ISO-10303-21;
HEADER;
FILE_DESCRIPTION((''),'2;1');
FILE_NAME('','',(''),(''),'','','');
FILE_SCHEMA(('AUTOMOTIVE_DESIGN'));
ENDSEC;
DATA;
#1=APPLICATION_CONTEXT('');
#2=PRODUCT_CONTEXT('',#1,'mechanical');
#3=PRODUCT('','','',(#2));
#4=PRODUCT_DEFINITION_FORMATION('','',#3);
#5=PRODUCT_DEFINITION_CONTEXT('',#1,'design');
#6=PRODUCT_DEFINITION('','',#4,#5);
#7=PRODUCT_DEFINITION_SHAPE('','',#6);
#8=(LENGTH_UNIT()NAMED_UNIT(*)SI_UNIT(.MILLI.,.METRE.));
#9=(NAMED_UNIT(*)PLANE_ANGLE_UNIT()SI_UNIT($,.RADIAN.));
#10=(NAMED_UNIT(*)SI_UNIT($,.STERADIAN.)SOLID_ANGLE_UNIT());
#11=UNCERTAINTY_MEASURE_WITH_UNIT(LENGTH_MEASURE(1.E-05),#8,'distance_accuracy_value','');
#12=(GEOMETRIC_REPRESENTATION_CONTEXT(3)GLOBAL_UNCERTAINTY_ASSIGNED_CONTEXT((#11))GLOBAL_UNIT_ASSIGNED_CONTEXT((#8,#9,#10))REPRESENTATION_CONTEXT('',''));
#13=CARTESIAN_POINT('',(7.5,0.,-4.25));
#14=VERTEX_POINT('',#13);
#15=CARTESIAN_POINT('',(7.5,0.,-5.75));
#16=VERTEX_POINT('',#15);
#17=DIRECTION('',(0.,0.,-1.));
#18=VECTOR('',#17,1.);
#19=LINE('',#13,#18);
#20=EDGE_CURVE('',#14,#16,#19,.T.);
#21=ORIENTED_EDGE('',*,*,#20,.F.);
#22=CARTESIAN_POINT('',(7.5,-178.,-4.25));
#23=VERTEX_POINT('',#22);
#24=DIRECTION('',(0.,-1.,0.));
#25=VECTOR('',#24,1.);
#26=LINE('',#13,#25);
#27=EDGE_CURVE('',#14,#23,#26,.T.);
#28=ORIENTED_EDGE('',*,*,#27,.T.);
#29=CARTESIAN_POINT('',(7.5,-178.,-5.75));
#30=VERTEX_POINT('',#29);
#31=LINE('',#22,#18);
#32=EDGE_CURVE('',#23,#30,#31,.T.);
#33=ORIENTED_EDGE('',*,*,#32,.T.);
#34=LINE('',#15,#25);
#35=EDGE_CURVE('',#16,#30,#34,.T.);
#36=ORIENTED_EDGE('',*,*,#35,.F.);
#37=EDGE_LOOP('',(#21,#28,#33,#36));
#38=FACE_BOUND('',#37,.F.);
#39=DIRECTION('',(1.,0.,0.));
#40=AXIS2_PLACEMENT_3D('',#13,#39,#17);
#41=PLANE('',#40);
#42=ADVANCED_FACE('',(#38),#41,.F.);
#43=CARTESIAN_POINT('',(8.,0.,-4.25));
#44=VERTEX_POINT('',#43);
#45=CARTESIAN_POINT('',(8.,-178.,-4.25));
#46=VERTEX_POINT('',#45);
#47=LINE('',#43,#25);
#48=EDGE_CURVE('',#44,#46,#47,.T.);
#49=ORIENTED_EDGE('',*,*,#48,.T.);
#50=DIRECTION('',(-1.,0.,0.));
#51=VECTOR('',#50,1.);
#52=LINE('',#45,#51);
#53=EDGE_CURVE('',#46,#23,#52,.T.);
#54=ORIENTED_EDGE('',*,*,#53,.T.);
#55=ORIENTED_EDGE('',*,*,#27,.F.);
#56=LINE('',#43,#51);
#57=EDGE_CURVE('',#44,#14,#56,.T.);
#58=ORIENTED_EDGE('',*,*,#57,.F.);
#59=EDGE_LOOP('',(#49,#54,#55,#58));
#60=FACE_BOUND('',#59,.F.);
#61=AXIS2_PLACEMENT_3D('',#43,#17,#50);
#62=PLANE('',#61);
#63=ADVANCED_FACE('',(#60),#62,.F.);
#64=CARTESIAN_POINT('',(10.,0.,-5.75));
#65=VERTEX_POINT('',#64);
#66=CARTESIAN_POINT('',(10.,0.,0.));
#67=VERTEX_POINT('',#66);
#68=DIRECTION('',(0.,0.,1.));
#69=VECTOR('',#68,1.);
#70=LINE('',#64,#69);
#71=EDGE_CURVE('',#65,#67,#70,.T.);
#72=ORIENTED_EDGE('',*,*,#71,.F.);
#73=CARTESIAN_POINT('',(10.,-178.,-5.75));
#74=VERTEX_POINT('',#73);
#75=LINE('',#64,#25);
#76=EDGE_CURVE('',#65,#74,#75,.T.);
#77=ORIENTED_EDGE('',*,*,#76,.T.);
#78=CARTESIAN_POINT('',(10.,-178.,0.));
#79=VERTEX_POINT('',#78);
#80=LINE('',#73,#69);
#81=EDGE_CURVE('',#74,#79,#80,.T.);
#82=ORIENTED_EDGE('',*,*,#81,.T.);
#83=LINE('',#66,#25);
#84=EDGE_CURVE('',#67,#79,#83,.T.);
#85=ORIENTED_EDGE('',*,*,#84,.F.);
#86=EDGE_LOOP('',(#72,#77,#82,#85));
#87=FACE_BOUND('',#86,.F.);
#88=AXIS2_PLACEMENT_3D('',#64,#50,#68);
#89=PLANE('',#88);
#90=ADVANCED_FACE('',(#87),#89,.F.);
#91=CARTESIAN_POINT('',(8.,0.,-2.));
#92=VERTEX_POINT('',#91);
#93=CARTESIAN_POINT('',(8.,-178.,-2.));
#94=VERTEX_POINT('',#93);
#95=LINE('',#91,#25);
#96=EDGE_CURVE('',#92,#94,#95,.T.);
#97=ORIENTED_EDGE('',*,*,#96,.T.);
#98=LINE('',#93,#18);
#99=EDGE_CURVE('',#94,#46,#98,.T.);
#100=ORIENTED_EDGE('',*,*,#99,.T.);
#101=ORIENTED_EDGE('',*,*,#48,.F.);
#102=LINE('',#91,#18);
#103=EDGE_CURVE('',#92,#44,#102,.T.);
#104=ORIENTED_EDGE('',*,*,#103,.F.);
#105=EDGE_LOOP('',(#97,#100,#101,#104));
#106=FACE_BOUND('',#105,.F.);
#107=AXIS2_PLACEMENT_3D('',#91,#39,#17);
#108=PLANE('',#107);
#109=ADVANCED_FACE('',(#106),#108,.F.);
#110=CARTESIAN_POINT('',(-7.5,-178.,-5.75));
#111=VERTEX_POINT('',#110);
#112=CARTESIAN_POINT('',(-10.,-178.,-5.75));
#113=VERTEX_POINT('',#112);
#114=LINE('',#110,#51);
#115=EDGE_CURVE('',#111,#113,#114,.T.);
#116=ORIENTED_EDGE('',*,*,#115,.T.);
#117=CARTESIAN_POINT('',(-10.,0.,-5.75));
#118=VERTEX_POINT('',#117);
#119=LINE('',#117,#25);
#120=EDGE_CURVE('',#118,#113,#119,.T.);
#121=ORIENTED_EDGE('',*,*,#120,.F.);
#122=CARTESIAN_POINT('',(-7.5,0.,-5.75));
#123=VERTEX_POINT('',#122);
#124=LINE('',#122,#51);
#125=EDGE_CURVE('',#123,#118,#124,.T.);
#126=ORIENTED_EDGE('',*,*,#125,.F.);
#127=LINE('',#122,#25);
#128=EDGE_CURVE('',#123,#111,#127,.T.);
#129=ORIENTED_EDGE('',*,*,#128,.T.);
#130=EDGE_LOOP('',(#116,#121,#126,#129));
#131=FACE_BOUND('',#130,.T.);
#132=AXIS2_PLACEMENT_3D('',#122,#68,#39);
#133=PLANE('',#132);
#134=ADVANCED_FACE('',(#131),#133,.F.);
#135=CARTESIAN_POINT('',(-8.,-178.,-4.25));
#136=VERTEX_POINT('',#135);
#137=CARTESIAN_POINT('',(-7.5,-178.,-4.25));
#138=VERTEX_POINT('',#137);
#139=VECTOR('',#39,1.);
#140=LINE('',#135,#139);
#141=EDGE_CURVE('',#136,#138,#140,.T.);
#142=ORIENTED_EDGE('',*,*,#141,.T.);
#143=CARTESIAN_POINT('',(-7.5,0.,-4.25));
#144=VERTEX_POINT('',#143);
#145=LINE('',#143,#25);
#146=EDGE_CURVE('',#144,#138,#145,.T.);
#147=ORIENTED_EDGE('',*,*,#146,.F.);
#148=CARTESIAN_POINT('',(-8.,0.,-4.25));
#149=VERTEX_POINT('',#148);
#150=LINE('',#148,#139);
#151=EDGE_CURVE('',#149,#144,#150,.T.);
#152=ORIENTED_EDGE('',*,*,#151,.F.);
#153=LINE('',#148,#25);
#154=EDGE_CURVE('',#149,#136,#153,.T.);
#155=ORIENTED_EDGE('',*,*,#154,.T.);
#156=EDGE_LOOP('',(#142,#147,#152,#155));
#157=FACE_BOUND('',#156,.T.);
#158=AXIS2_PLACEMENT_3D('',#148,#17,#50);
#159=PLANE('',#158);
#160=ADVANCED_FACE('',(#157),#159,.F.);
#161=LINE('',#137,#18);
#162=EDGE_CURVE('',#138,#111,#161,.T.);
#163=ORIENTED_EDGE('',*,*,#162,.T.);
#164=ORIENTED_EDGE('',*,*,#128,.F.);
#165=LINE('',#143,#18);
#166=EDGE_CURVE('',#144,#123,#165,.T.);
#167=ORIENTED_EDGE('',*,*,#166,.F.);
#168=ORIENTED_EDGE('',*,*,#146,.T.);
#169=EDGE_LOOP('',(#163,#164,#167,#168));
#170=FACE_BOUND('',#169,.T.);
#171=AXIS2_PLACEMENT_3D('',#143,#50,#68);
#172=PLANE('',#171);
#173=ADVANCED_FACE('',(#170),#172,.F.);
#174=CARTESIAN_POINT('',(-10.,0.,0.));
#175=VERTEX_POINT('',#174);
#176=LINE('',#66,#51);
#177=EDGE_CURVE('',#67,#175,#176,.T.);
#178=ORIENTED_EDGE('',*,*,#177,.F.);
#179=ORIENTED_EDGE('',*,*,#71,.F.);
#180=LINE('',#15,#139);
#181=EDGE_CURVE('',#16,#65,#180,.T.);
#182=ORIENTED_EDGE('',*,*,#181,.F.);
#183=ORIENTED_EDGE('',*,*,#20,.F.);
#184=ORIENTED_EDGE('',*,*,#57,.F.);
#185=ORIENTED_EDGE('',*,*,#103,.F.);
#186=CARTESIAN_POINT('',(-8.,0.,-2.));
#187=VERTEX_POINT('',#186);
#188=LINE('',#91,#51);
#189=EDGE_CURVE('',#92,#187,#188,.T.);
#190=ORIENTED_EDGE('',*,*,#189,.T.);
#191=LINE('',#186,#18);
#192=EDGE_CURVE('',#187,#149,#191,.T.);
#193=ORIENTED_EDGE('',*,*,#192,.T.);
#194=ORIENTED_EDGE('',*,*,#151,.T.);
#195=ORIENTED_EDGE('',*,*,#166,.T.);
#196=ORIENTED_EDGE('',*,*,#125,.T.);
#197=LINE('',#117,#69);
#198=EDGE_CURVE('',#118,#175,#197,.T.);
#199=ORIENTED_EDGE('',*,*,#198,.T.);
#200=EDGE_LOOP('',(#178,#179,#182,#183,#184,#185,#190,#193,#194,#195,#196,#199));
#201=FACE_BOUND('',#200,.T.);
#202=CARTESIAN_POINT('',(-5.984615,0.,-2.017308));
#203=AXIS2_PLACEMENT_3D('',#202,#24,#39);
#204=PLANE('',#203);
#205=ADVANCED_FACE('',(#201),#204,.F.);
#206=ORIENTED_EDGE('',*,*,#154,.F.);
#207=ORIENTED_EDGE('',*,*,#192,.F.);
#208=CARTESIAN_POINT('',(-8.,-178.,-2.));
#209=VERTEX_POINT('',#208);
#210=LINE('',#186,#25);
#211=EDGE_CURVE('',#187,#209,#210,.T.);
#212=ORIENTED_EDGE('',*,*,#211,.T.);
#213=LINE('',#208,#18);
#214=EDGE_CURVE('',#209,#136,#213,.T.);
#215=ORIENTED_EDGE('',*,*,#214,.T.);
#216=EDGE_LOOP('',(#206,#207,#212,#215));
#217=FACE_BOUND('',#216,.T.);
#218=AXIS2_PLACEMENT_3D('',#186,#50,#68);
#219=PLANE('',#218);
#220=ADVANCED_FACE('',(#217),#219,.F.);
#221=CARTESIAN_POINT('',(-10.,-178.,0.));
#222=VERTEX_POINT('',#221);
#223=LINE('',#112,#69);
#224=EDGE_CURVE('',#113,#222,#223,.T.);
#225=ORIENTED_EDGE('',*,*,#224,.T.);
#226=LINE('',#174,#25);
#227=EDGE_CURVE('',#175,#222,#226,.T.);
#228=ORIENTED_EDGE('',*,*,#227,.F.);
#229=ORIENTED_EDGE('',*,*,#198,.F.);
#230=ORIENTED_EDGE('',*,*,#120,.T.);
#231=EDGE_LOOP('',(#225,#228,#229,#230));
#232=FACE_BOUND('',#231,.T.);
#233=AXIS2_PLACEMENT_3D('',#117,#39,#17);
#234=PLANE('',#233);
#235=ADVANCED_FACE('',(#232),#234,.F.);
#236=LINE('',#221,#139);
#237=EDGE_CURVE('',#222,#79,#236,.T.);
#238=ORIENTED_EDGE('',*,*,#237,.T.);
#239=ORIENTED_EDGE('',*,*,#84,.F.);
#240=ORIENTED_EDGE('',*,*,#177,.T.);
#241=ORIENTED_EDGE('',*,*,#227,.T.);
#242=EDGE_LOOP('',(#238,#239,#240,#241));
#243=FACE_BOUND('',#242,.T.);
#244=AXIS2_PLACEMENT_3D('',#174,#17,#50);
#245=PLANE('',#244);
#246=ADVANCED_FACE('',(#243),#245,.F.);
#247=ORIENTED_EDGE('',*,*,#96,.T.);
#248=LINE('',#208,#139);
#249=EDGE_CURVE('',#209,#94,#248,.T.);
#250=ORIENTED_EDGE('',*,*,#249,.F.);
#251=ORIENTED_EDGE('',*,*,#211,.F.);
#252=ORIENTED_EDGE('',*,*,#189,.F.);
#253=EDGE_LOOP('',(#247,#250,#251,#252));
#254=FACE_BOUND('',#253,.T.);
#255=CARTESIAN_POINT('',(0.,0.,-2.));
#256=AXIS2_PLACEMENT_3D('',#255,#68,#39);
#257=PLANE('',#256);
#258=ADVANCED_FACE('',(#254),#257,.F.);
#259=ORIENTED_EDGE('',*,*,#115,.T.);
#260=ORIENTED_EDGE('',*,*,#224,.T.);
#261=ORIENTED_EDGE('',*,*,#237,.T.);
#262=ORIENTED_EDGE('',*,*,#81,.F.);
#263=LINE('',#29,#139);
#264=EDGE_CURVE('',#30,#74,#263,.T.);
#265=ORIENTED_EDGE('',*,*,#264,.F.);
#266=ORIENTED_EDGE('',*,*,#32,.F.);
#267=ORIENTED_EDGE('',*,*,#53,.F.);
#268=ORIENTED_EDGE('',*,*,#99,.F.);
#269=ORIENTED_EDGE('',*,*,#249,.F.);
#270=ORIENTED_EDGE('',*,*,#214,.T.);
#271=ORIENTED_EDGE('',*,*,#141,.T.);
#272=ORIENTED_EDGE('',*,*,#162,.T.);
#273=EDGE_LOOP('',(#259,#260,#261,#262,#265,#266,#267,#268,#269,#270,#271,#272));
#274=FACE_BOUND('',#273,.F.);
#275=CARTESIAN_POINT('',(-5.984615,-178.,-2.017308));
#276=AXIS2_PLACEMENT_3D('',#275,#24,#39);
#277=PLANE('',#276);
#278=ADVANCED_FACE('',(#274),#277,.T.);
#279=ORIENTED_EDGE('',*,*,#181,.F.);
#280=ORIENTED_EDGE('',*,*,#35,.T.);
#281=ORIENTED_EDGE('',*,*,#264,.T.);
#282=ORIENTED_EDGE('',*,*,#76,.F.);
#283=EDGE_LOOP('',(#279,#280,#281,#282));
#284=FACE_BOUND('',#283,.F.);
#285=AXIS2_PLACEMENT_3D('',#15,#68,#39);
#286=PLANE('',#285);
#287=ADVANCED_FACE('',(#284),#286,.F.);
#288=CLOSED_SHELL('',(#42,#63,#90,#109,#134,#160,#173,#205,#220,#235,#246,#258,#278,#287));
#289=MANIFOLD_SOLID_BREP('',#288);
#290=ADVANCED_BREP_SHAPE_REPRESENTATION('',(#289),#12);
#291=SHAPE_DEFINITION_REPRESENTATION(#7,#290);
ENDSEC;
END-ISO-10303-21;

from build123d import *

# Parameters (mm, degrees)
F1_DEPTH = 178


with BuildPart() as f1:
    # F0 (on Front) → F1 (new body)
    with BuildSketch(Plane.XZ):
        Polygon((10, 0), (0, 0), (0, -2), (8, -2), (8, -4.25), (7.5, -4.25), (7.5, -5.75), (10, -5.75), align=None)
    extrude(amount=F1_DEPTH)

    # F2: F1 across plane


with BuildPart() as f1_1:
    add(f1.part)
    add(f1.part.mirror(Plane.YZ))


solid = f1_1.part
